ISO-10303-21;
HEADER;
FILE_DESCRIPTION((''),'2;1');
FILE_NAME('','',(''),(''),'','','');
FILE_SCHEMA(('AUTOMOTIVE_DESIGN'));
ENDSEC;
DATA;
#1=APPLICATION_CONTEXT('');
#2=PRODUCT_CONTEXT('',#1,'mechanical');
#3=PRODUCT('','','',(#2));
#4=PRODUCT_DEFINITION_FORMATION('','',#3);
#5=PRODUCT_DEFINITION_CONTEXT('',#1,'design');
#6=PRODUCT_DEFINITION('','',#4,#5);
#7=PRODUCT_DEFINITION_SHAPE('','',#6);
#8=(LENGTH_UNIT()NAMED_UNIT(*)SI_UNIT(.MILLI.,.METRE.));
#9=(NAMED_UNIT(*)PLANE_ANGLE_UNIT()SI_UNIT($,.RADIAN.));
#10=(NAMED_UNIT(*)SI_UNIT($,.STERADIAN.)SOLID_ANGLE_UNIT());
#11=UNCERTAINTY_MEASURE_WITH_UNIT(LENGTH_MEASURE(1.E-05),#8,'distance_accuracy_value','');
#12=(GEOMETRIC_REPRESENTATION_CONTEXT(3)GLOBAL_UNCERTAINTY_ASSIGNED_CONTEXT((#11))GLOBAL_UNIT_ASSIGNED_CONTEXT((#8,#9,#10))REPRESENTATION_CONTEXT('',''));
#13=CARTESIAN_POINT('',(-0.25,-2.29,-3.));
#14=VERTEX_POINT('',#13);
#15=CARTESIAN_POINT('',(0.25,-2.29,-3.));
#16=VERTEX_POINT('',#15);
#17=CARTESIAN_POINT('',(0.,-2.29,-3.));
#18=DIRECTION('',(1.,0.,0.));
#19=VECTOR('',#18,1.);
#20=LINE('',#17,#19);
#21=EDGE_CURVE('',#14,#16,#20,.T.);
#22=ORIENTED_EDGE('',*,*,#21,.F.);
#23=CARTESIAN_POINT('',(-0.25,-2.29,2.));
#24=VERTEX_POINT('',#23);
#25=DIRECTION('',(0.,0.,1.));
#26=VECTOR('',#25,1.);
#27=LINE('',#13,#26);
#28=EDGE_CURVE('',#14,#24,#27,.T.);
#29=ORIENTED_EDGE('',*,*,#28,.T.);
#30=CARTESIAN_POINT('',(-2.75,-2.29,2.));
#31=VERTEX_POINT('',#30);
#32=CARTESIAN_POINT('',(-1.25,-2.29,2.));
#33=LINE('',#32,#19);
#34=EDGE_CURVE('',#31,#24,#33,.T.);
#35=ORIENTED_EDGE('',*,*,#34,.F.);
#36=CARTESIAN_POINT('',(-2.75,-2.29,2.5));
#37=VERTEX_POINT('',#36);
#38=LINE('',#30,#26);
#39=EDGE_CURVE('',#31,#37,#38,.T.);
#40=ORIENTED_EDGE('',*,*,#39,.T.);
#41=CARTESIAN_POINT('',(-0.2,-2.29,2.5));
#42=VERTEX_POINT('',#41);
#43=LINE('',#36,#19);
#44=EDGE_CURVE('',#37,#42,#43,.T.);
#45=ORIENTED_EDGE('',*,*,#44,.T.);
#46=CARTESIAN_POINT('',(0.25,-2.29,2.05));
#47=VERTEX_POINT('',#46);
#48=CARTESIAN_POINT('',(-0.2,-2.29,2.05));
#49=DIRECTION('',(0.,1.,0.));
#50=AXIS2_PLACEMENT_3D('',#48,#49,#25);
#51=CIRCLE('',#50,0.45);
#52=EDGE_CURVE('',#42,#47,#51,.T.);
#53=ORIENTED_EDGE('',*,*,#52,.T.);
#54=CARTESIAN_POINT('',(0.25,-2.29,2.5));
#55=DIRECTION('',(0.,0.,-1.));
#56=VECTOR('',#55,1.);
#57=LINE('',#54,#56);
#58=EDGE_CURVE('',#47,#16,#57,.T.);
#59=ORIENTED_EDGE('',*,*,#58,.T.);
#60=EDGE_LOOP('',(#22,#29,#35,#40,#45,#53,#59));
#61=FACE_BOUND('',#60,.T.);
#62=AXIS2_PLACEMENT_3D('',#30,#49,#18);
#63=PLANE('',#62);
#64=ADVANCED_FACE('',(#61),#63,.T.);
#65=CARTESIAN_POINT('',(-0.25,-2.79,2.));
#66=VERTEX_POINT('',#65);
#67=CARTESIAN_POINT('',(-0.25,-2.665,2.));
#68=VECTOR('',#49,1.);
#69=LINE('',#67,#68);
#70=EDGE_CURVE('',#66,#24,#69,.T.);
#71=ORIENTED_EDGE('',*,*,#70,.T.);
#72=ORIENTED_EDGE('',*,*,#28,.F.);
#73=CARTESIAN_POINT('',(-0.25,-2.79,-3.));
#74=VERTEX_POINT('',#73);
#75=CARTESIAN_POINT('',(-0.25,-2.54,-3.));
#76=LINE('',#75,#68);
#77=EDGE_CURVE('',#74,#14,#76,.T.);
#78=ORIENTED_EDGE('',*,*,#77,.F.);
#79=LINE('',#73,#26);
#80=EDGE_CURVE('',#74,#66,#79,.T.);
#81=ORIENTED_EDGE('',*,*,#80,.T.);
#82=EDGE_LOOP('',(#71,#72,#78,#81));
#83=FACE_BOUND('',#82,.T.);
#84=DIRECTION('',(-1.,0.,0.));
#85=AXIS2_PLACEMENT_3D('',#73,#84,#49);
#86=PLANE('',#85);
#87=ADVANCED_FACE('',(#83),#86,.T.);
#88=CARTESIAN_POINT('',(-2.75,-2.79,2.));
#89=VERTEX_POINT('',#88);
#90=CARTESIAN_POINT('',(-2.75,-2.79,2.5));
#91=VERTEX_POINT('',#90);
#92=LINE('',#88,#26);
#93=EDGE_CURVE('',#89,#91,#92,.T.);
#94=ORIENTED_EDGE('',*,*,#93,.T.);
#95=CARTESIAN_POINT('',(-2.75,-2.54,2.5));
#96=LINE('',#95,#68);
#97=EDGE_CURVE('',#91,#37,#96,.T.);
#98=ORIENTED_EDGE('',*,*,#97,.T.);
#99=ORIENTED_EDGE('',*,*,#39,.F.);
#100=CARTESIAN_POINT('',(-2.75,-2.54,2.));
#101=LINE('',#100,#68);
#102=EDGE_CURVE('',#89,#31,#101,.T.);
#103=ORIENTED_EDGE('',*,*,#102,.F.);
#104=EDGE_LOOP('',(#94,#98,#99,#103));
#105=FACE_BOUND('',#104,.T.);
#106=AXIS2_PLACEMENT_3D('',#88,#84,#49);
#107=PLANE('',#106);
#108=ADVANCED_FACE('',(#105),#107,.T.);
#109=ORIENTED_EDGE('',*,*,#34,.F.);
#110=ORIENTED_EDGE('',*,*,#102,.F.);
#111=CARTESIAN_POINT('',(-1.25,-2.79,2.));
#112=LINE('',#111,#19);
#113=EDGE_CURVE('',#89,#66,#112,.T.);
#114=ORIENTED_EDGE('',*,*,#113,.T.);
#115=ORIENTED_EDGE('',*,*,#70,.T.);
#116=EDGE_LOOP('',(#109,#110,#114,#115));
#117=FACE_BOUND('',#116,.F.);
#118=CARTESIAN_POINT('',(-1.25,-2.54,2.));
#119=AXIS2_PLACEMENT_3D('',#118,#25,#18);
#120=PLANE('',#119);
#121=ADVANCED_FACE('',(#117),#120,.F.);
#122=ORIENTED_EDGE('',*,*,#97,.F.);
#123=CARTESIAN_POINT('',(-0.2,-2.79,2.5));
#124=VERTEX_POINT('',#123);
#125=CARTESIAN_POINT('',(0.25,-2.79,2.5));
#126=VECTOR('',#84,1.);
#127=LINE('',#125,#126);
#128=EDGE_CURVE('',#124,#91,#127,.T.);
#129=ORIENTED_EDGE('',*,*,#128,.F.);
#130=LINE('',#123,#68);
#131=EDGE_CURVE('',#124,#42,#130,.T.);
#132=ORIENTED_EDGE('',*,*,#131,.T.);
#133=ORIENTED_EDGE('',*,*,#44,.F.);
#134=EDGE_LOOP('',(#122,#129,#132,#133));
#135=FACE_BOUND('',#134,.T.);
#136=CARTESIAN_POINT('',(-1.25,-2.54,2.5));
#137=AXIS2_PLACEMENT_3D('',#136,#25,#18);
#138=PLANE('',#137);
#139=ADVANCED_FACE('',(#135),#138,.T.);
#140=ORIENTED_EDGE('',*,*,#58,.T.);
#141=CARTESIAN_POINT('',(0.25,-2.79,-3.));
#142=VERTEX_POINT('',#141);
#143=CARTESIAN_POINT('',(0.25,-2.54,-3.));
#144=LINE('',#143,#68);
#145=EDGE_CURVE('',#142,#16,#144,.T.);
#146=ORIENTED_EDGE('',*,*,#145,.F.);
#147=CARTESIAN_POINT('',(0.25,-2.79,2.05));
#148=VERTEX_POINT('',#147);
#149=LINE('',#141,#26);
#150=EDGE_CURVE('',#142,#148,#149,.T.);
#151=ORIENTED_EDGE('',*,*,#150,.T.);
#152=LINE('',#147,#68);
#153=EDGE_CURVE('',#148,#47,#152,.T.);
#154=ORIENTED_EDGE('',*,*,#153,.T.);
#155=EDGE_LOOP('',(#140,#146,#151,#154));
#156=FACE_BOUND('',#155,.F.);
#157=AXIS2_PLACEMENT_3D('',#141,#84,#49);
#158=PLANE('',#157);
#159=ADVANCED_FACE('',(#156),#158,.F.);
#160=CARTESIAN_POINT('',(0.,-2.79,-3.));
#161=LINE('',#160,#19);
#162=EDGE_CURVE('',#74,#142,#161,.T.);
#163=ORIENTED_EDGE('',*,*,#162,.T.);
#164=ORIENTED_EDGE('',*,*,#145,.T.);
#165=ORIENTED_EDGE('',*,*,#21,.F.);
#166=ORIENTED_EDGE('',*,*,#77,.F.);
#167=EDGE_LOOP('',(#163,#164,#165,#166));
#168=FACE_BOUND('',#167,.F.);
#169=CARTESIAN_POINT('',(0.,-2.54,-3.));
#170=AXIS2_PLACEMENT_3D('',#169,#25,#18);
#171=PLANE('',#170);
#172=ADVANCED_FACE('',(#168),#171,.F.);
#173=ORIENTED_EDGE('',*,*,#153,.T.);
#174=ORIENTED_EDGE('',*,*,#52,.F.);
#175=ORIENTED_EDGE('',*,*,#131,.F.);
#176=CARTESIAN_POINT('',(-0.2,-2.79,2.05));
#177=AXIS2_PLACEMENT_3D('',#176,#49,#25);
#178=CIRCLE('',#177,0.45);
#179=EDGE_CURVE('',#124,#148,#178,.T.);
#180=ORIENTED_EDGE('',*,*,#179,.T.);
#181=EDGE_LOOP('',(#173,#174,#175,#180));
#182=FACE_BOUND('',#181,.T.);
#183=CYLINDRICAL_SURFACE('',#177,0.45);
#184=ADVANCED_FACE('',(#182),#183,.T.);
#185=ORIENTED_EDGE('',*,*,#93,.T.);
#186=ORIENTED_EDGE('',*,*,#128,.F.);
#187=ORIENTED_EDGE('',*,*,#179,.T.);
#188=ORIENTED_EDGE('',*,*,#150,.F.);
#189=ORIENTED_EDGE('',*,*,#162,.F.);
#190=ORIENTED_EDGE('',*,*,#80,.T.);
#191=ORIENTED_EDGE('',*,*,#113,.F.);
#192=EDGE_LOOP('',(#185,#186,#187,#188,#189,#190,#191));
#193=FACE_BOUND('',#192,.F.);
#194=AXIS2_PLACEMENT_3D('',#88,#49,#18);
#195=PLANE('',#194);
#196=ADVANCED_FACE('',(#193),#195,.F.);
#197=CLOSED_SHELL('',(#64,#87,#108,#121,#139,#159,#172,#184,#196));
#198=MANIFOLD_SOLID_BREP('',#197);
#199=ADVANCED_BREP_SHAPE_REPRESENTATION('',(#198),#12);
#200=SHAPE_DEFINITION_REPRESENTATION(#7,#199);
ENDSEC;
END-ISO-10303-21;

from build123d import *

# Parameters (mm, degrees)
BOX018_W     = 3
BOX018_H     = 0.5
BOX018_DEPTH = 0.5
BOX015_W     = 0.5
BOX015_H     = 0.5
BOX015_DEPTH = 5.5
FILLET007_R  = 0.45


with BuildPart() as kub018:
    # Box018 → Box018 (new body)
    with BuildSketch(Plane(origin=(-2.75, -2.79, 2), x_dir=(1, 0, 0), z_dir=(0, 0, 1))):
        with Locations((1.5, 0.25)):
            Rectangle(BOX018_W, BOX018_H)
    extrude(amount=BOX018_DEPTH)


with BuildPart() as fillet007:
    # Box015 → Box015 (new body)
    with BuildSketch(Plane(origin=(-0.25, -2.79, -3), x_dir=(1, 0, 0), z_dir=(0, 0, 1))):
        with Locations((0.25, 0.25)):
            Rectangle(BOX015_W, BOX015_H)
    extrude(amount=BOX015_DEPTH)

    # Fusion004: union Kub018
    add(kub018.part)

    # Fillet007
    fillet007_edges = [fillet007.edges().sort_by_distance(p)[0] for p in [
        (0.25, -2.54, 2.5),
    ]]
    fillet(fillet007_edges, radius=FILLET007_R)


solid = fillet007.part
